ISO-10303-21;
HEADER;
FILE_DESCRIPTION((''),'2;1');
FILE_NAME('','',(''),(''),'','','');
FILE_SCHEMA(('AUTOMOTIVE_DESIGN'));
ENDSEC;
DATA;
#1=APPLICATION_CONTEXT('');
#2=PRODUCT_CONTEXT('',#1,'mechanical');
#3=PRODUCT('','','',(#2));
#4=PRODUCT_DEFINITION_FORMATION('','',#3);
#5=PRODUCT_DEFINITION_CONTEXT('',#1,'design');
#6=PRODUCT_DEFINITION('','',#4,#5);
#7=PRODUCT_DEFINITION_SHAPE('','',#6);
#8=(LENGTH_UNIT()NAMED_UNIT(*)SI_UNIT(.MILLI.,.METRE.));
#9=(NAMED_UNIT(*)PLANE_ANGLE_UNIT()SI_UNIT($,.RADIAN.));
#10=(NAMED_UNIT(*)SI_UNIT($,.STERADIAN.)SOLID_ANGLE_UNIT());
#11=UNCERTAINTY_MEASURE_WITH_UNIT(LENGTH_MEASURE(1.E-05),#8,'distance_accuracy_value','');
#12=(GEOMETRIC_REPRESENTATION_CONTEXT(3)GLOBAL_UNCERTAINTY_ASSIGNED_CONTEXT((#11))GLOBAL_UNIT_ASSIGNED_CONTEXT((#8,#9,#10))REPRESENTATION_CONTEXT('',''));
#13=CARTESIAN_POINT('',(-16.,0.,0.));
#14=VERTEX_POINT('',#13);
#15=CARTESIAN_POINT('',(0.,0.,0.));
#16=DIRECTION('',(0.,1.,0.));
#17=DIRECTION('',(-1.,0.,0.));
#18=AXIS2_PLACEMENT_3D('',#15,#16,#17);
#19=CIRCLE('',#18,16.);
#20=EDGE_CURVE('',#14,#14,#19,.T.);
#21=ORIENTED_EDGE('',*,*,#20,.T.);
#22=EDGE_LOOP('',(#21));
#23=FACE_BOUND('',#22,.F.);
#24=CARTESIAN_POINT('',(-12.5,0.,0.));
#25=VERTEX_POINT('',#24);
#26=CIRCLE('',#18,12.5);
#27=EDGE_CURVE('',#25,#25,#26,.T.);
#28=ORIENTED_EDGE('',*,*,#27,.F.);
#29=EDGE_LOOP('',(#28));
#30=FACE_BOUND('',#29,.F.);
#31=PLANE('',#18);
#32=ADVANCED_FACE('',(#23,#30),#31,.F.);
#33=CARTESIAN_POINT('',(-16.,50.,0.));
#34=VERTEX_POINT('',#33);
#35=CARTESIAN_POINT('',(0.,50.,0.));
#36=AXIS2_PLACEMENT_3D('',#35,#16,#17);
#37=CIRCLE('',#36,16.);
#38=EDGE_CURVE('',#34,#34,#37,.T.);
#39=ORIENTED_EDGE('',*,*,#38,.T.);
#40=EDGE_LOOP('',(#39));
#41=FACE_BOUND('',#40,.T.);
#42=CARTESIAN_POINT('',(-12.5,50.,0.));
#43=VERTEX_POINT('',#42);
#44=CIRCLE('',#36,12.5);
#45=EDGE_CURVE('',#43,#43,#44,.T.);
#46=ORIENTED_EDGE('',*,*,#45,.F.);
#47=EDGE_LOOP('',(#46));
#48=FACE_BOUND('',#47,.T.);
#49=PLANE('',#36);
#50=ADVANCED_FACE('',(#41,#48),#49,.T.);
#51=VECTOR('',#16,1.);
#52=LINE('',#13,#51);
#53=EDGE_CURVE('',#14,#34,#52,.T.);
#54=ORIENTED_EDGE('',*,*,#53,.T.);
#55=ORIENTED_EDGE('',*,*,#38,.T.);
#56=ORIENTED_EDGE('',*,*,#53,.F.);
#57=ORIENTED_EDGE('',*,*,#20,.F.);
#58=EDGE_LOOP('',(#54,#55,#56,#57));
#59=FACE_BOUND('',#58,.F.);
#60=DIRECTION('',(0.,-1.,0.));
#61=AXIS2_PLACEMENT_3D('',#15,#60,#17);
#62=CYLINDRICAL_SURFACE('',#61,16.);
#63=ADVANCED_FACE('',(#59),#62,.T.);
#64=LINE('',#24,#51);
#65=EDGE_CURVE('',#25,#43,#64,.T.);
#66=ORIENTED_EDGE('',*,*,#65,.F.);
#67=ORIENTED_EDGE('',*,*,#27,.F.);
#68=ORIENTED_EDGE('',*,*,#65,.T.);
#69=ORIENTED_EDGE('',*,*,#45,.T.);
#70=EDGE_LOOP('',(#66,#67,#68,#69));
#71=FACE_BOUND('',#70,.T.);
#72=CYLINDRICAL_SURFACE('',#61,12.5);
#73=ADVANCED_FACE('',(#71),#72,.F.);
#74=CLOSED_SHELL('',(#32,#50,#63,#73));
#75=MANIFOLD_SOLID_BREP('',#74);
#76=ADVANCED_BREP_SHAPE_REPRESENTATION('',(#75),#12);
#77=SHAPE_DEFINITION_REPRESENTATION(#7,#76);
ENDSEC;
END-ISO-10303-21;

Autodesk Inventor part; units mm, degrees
ref_plane "YZ Plane" through (0, 0, 0) normal (1, 0, 0) x (0, 1, 0)
ref_plane "XZ Plane" through (0, 0, 0) normal (0, 1, 0) x (-1, 0, 0)
ref_plane "XY Plane" through (0, 0, 0) normal (0, 0, 1) x (1, 0, 0)
sketch "Эскиз1" plane through (0, 0, 0) normal (0, 1, 0) x (-1, 0, 0)
  circle A0 centre (0, 0) radius 16
  circle A1 centre (0, 0) radius 12.5
  dimension "d0" = 32
  dimension "d1" = 25
extrude "Выдавливание1" add sketch "Эскиз1" along normal blind 50
thread "Резьба1" size "M32x2" class "6g" standard "ANSI Metric M Profile" length 60
properties part number "сгон"
